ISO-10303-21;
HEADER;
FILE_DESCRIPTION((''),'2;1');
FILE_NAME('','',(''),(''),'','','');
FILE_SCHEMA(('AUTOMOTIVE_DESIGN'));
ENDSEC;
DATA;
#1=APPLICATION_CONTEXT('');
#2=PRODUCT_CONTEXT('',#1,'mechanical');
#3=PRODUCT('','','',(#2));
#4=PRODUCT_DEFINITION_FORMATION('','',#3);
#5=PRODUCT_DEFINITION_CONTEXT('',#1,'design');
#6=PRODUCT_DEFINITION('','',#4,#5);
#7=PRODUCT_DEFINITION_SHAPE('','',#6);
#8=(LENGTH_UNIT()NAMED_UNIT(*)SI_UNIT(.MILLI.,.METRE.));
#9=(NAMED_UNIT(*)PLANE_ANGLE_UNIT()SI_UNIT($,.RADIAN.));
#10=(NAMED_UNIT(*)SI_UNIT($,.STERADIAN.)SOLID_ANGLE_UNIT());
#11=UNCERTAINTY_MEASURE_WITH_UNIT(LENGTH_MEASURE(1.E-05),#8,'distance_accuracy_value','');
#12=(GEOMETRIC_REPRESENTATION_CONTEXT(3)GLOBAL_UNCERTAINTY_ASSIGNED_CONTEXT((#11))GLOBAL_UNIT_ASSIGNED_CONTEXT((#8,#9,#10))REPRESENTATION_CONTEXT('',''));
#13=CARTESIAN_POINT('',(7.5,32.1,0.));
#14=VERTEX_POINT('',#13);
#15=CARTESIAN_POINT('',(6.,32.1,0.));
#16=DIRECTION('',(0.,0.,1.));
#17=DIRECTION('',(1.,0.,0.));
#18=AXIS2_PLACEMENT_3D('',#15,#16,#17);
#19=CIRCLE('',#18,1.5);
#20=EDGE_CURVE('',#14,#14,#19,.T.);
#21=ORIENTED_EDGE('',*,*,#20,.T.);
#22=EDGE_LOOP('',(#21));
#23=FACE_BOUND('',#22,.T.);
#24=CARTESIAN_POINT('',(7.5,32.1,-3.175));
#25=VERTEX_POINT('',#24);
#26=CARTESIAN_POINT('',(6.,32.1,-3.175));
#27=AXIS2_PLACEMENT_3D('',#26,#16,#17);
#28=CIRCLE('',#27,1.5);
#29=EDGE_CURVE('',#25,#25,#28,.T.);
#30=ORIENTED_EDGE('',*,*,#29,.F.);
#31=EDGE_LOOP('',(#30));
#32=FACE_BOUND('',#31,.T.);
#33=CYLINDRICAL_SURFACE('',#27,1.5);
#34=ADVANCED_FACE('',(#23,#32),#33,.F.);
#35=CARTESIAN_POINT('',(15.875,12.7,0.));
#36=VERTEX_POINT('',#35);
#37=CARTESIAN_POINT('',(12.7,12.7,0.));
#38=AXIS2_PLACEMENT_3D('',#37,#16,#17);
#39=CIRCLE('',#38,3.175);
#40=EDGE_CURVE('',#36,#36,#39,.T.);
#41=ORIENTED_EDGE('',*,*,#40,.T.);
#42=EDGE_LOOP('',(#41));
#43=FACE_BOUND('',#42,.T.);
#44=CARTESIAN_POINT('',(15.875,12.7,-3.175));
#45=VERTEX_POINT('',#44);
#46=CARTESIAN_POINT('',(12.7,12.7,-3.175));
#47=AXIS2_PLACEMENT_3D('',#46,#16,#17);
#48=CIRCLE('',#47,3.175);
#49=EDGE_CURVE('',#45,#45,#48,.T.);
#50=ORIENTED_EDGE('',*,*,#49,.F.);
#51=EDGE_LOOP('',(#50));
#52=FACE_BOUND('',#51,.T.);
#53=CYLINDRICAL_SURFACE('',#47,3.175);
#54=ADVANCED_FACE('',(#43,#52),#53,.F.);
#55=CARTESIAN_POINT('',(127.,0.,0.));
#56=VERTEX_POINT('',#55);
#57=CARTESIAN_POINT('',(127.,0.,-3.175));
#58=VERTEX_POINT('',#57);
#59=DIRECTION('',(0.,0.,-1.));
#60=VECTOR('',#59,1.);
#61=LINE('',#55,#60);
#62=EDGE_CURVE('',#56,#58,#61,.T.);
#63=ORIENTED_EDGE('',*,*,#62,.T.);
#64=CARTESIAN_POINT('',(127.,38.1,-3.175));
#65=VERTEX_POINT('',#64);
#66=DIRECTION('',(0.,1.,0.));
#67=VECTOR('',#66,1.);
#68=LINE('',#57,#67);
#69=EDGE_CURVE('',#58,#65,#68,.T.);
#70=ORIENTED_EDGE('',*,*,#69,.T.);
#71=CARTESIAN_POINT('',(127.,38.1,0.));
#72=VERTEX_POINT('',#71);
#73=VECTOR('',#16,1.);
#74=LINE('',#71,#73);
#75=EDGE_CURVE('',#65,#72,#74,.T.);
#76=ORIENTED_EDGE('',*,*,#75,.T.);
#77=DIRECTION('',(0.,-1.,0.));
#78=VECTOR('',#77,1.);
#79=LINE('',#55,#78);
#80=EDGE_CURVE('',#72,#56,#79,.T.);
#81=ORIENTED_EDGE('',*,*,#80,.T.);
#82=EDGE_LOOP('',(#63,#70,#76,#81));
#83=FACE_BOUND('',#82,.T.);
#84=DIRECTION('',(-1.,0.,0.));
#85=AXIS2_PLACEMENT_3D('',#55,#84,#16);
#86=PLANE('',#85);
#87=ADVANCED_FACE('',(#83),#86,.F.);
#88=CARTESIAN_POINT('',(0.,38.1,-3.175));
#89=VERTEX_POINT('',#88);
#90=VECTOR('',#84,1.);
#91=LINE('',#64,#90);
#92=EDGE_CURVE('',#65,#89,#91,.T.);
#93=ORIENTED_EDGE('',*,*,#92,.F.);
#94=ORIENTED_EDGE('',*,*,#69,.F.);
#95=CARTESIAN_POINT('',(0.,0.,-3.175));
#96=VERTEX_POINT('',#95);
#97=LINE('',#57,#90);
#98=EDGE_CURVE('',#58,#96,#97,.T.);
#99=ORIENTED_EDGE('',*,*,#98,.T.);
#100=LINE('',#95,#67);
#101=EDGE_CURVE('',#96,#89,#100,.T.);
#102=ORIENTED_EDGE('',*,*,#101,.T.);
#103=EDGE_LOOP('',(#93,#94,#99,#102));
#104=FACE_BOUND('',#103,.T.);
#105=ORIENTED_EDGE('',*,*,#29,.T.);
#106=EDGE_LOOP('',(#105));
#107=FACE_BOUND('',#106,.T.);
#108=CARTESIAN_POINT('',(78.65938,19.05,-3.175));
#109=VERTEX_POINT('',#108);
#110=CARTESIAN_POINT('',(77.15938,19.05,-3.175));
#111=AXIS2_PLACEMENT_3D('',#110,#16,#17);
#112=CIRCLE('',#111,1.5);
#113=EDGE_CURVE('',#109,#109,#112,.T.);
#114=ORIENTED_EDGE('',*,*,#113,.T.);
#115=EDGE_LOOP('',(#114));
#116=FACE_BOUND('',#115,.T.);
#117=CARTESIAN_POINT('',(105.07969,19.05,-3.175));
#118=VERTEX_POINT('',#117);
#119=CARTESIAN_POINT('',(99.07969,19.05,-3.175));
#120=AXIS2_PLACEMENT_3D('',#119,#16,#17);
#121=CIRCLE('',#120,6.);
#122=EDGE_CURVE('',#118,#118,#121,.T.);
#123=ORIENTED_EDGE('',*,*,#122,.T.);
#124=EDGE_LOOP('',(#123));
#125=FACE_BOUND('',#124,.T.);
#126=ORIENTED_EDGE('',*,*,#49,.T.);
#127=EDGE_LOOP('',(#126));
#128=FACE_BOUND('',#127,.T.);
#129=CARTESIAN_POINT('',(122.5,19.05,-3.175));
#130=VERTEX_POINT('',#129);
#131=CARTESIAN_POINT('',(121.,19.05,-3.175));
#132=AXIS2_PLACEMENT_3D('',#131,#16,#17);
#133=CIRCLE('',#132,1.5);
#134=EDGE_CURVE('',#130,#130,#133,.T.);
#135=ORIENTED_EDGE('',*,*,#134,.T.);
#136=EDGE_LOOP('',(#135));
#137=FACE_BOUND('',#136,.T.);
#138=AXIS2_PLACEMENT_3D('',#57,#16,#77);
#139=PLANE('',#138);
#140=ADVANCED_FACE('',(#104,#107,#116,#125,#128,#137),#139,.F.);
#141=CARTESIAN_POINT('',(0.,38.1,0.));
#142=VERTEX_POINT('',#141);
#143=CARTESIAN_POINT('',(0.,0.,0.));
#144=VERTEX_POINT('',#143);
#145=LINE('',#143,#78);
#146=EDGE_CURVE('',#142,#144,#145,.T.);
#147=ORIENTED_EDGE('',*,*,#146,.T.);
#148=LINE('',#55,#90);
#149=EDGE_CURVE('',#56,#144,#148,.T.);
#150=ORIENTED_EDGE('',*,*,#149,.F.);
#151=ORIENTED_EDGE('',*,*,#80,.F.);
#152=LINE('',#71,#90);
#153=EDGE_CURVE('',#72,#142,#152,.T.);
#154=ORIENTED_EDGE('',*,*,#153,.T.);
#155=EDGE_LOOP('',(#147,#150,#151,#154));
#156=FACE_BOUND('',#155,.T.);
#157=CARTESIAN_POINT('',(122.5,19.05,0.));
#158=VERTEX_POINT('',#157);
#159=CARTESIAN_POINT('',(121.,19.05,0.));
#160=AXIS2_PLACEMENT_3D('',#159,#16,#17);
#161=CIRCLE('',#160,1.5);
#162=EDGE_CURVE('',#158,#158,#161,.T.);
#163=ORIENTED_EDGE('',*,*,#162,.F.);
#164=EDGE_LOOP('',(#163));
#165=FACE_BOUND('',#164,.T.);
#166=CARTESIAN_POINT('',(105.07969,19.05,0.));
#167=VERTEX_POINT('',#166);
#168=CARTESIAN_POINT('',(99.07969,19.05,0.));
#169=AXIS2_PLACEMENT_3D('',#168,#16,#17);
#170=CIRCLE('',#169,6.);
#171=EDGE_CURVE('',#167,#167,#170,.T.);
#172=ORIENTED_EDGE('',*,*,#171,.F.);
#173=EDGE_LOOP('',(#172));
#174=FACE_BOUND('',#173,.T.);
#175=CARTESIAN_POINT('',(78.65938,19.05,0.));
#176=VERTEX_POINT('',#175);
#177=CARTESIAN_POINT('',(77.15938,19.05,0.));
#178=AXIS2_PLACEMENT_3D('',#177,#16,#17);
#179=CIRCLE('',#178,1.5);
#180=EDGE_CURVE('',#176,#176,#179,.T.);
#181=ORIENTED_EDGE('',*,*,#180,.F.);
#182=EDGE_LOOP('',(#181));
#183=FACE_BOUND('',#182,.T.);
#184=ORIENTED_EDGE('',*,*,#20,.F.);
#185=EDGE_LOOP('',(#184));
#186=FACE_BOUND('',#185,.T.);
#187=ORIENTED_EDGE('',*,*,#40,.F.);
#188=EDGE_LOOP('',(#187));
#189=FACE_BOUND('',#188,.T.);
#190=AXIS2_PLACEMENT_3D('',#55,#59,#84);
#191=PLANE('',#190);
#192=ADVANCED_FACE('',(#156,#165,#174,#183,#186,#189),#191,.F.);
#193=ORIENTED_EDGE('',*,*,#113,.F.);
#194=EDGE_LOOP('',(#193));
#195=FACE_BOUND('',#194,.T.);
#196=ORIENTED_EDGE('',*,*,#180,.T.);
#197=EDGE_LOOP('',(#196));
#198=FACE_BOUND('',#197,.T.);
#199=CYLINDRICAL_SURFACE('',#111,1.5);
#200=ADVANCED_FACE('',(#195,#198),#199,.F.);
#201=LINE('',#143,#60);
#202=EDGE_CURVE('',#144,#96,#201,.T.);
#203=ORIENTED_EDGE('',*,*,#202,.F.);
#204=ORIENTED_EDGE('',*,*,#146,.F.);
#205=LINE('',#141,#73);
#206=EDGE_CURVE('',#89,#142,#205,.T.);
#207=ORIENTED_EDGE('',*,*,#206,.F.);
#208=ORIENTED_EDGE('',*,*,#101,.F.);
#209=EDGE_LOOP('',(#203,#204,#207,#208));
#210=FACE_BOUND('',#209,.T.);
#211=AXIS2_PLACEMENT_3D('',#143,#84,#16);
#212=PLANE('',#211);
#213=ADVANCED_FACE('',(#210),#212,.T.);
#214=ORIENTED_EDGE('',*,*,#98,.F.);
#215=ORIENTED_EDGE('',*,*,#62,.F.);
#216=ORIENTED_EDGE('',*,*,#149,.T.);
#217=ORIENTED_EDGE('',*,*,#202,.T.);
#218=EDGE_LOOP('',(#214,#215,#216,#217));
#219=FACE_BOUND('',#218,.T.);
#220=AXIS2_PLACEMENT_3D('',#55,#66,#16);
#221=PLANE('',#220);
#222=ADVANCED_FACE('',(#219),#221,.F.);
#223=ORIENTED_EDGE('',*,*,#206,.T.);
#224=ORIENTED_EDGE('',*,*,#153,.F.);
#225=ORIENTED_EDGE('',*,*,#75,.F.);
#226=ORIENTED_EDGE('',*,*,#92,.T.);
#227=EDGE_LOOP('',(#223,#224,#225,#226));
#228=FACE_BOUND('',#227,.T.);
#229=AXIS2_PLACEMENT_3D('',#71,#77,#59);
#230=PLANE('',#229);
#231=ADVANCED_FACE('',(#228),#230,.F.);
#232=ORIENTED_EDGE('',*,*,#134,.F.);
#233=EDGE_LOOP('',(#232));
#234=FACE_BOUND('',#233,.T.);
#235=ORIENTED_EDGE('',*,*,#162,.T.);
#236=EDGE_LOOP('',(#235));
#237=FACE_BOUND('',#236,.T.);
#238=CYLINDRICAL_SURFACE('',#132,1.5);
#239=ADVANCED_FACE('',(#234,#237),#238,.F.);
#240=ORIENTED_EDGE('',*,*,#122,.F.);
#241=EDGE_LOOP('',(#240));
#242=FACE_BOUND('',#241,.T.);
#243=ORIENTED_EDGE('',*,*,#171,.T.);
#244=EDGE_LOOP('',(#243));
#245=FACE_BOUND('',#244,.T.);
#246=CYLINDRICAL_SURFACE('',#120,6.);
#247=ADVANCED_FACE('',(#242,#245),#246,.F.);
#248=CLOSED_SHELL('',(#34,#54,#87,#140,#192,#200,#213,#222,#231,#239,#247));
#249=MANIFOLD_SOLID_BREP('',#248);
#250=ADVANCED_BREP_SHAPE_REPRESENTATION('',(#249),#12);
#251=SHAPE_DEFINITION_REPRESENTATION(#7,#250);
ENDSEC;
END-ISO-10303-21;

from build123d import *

# Parameters (mm, degrees)
SKETCH1_W           = 3.175
SKETCH1_H           = 38.1
BOSS_EXTRUDE1_DEPTH = 127
SKETCH2_R           = 3.175
SKETCH2_R_2         = 1.5
SKETCH2_R_3         = 6
CUT_EXTRUDE1_DEPTH  = 133.629900946


with BuildPart() as part:
    # Sketch1 → Boss-Extrude1 (new body)
    with BuildSketch(Plane(origin=(0, 0, 0), x_dir=(0, 0, -1), z_dir=(1, 0, 0))):
        with Locations((1.5875, 19.05)):
            Rectangle(SKETCH1_W, SKETCH1_H)
    extrude(amount=BOSS_EXTRUDE1_DEPTH)

    # Sketch2 → Cut-Extrude1 (cut, through all)
    with BuildSketch(Plane.XY):
        with Locations((12.7, 12.7)):
            Circle(SKETCH2_R)
        with Locations((121, 19.05)):
            Circle(SKETCH2_R_2)
        with Locations((99.079689783, 19.05)):
            Circle(SKETCH2_R_3)
        with Locations((77.159379566, 19.05)):
            Circle(SKETCH2_R_2)
        with Locations((6, 32.1)):
            Circle(SKETCH2_R_2)
    extrude(amount=-CUT_EXTRUDE1_DEPTH, mode=Mode.SUBTRACT)


solid = part.part
